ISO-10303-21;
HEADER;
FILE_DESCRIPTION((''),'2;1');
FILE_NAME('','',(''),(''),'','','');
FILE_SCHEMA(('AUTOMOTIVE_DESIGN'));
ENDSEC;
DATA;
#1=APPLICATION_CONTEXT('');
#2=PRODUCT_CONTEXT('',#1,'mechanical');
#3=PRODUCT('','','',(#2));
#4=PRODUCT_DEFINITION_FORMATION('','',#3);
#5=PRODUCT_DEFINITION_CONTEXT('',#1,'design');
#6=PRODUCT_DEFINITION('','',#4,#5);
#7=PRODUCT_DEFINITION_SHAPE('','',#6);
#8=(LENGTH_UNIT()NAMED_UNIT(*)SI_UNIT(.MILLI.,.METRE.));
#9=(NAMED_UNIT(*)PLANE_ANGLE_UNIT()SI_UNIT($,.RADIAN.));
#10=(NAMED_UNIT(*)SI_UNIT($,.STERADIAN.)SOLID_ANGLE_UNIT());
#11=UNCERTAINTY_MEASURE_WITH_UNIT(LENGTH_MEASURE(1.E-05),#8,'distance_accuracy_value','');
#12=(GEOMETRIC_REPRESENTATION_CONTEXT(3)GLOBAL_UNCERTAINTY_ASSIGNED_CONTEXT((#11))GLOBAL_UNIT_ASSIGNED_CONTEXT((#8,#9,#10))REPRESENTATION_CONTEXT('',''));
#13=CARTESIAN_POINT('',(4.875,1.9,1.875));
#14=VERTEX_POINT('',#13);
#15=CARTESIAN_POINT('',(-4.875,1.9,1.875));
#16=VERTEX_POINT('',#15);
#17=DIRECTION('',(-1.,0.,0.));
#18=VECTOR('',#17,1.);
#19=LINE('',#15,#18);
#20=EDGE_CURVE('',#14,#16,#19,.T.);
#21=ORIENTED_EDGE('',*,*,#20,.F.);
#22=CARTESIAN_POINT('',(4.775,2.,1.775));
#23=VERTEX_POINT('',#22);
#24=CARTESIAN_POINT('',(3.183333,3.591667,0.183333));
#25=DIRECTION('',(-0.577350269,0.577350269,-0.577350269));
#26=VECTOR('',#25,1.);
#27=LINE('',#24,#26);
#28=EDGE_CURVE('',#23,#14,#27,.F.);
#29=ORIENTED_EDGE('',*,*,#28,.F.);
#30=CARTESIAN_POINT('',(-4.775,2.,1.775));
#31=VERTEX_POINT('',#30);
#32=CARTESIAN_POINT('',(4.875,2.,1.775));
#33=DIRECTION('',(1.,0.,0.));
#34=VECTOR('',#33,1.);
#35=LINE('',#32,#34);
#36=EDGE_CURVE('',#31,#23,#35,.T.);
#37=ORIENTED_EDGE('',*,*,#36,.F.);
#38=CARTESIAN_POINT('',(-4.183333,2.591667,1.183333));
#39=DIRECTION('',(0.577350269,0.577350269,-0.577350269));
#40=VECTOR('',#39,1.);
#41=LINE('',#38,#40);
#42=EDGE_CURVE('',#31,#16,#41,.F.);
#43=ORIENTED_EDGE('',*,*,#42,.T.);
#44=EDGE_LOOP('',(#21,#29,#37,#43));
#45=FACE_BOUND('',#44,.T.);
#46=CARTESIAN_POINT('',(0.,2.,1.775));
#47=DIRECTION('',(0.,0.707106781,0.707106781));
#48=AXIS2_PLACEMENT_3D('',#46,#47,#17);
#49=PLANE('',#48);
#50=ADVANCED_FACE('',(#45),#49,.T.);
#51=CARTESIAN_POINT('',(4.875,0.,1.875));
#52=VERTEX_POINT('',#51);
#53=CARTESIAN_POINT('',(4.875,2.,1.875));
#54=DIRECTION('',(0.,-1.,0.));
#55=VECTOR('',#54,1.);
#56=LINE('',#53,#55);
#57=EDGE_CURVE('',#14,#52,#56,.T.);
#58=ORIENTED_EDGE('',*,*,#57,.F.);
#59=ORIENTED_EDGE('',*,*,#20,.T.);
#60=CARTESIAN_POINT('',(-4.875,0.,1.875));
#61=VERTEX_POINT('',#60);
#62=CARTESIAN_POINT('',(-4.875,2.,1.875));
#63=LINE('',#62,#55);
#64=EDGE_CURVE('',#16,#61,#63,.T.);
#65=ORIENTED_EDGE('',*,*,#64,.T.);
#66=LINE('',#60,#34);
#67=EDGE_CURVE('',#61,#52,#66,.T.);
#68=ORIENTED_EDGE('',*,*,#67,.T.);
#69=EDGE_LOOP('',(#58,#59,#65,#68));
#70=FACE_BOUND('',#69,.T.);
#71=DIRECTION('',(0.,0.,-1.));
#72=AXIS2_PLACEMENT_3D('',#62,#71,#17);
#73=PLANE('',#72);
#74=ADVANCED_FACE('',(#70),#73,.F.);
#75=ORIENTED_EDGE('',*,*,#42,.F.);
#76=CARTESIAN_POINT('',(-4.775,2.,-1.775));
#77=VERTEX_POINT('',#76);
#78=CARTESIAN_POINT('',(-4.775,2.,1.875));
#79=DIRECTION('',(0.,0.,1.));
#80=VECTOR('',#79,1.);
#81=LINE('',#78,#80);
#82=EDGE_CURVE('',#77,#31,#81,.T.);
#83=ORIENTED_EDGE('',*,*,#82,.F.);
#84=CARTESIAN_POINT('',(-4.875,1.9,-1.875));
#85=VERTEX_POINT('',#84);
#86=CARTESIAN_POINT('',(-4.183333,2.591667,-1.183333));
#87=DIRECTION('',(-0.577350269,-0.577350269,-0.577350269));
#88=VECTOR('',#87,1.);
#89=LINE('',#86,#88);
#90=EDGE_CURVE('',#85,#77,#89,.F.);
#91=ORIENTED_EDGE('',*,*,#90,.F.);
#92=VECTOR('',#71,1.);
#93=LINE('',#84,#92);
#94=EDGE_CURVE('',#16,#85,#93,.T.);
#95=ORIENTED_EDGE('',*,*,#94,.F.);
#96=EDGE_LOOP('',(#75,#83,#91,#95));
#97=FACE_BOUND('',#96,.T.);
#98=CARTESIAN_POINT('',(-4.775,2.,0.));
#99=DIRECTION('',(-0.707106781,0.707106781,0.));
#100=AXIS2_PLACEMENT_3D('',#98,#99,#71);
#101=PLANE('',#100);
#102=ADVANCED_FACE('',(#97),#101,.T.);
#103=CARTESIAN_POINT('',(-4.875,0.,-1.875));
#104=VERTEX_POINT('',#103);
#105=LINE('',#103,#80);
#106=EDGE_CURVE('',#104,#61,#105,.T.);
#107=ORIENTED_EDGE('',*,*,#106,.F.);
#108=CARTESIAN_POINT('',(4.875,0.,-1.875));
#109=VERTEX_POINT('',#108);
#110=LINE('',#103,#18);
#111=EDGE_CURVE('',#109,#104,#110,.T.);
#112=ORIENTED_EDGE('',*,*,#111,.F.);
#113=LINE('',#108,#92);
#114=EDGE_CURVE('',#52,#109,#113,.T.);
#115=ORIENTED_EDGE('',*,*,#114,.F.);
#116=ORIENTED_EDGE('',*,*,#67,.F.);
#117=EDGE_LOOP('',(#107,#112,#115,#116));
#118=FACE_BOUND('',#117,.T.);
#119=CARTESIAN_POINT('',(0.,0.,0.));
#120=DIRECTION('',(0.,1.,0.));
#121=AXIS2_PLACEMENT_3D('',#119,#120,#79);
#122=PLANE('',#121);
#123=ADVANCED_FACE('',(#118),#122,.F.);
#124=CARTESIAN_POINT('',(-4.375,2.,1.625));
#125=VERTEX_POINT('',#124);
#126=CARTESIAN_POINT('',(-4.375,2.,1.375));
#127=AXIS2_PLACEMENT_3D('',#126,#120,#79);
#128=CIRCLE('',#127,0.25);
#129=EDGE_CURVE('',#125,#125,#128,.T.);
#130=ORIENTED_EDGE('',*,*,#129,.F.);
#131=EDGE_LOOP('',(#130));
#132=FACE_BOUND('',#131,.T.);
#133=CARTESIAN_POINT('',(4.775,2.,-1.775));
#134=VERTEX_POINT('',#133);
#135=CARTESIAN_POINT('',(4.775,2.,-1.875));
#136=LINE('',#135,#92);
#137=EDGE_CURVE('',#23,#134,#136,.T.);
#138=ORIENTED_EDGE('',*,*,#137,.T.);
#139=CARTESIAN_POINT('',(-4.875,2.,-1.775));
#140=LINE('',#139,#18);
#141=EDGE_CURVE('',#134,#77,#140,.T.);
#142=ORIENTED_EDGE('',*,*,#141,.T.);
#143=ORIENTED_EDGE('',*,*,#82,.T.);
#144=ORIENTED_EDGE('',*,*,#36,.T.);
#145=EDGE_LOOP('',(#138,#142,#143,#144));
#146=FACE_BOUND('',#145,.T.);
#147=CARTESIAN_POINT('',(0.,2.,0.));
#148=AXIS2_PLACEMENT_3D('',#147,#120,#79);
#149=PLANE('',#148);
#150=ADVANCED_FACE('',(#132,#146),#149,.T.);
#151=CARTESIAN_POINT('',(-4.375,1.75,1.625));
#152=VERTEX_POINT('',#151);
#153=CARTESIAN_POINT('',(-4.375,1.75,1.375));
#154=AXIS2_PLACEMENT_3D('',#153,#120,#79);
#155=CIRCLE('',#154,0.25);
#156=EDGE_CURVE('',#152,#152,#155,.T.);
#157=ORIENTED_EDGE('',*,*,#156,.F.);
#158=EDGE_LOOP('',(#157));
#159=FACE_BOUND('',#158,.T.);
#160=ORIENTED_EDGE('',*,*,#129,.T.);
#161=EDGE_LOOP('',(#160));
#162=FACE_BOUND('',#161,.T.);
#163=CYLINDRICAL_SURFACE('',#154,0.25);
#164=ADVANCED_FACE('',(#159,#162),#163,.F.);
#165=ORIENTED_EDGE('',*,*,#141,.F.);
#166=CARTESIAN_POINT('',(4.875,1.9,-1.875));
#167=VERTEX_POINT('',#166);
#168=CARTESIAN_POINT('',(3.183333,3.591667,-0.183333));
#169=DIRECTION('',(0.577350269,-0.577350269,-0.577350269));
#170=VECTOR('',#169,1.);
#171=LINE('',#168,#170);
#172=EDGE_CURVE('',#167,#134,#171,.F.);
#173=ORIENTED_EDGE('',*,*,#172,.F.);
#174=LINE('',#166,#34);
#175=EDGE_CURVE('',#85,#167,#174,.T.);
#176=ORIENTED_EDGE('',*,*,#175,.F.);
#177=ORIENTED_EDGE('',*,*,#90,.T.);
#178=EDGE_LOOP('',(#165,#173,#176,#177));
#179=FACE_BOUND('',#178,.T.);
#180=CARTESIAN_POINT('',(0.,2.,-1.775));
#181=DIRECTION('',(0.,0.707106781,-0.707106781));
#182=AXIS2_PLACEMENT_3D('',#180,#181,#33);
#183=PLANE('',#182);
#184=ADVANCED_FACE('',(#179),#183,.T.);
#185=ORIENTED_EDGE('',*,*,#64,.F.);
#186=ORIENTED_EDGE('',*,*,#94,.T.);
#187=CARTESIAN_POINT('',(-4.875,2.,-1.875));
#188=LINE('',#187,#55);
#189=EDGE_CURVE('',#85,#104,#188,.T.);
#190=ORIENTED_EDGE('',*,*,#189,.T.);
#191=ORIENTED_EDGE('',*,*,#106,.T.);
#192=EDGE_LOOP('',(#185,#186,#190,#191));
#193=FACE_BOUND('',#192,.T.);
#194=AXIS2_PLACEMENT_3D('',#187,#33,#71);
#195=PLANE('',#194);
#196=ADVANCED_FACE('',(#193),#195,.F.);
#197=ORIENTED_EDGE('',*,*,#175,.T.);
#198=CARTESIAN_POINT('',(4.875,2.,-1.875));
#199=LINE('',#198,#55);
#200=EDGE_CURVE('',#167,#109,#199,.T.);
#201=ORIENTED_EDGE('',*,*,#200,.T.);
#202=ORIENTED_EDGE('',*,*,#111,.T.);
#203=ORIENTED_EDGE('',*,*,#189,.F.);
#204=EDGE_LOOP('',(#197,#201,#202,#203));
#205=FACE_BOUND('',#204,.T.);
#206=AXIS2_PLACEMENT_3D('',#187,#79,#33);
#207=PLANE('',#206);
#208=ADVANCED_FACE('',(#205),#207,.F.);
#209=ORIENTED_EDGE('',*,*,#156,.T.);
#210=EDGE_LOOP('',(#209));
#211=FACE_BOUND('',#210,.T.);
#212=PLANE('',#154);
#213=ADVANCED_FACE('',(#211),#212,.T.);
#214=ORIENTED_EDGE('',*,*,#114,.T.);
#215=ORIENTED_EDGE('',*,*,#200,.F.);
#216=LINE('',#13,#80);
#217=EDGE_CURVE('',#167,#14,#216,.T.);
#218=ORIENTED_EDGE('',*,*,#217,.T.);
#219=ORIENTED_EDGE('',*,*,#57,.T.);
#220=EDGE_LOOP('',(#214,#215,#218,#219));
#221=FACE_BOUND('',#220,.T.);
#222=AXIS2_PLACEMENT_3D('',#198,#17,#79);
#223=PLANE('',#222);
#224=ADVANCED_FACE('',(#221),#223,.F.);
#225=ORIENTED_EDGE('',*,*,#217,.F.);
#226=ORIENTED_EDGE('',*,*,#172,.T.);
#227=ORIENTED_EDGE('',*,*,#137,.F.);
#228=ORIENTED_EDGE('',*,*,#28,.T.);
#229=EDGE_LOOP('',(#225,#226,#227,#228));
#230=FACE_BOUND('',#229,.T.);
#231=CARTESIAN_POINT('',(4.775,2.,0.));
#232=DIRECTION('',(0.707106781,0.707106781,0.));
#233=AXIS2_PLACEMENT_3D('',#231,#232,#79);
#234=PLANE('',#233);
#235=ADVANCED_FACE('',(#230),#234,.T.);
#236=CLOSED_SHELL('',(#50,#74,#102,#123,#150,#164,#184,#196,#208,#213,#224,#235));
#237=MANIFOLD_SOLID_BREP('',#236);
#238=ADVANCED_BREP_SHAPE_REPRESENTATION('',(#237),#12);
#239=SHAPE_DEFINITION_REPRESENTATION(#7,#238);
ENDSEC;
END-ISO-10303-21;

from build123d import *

# Parameters (mm, degrees)
ESQUISSE1_W             = 9.75
ESQUISSE1_H             = 3.75
BOSS_EXTRU_1_DEPTH      = 2
ESQUISSE2_R             = 0.25
ENL_V_MAT_EXTRU_1_DEPTH = 0.25
CHANFREIN1_SIZE         = 0.1


with BuildPart() as part:
    # Esquisse1 → Boss.-Extru.1 (new body)
    with BuildSketch(Plane(origin=(0, 0, 0), x_dir=(1, 0, 0), z_dir=(0, 1, 0))):
        Rectangle(ESQUISSE1_W, ESQUISSE1_H)
    extrude(amount=BOSS_EXTRU_1_DEPTH)

    # Esquisse2 → Enlèv. mat.-Extru.1 (cut)
    with BuildSketch(Plane(origin=(0, 2, 0), x_dir=(1, 0, 0), z_dir=(0, 1, 0))):
        with Locations(Location((-4.375, -1.375, 0), (0, 0, 270))):  # turned: the seam where the file's is
            Circle(ESQUISSE2_R)
    extrude(amount=-ENL_V_MAT_EXTRU_1_DEPTH, mode=Mode.SUBTRACT)

    # Chanfrein1
    chanfrein1_edges = [part.edges().sort_by_distance(p)[0] for p in [
        (4.875, 2, 0),
        (0, 2, -1.875),
        (-4.875, 2, 0),
        (0, 2, 1.875),
    ]]
    chamfer(chanfrein1_edges, length=CHANFREIN1_SIZE)


solid = part.part
